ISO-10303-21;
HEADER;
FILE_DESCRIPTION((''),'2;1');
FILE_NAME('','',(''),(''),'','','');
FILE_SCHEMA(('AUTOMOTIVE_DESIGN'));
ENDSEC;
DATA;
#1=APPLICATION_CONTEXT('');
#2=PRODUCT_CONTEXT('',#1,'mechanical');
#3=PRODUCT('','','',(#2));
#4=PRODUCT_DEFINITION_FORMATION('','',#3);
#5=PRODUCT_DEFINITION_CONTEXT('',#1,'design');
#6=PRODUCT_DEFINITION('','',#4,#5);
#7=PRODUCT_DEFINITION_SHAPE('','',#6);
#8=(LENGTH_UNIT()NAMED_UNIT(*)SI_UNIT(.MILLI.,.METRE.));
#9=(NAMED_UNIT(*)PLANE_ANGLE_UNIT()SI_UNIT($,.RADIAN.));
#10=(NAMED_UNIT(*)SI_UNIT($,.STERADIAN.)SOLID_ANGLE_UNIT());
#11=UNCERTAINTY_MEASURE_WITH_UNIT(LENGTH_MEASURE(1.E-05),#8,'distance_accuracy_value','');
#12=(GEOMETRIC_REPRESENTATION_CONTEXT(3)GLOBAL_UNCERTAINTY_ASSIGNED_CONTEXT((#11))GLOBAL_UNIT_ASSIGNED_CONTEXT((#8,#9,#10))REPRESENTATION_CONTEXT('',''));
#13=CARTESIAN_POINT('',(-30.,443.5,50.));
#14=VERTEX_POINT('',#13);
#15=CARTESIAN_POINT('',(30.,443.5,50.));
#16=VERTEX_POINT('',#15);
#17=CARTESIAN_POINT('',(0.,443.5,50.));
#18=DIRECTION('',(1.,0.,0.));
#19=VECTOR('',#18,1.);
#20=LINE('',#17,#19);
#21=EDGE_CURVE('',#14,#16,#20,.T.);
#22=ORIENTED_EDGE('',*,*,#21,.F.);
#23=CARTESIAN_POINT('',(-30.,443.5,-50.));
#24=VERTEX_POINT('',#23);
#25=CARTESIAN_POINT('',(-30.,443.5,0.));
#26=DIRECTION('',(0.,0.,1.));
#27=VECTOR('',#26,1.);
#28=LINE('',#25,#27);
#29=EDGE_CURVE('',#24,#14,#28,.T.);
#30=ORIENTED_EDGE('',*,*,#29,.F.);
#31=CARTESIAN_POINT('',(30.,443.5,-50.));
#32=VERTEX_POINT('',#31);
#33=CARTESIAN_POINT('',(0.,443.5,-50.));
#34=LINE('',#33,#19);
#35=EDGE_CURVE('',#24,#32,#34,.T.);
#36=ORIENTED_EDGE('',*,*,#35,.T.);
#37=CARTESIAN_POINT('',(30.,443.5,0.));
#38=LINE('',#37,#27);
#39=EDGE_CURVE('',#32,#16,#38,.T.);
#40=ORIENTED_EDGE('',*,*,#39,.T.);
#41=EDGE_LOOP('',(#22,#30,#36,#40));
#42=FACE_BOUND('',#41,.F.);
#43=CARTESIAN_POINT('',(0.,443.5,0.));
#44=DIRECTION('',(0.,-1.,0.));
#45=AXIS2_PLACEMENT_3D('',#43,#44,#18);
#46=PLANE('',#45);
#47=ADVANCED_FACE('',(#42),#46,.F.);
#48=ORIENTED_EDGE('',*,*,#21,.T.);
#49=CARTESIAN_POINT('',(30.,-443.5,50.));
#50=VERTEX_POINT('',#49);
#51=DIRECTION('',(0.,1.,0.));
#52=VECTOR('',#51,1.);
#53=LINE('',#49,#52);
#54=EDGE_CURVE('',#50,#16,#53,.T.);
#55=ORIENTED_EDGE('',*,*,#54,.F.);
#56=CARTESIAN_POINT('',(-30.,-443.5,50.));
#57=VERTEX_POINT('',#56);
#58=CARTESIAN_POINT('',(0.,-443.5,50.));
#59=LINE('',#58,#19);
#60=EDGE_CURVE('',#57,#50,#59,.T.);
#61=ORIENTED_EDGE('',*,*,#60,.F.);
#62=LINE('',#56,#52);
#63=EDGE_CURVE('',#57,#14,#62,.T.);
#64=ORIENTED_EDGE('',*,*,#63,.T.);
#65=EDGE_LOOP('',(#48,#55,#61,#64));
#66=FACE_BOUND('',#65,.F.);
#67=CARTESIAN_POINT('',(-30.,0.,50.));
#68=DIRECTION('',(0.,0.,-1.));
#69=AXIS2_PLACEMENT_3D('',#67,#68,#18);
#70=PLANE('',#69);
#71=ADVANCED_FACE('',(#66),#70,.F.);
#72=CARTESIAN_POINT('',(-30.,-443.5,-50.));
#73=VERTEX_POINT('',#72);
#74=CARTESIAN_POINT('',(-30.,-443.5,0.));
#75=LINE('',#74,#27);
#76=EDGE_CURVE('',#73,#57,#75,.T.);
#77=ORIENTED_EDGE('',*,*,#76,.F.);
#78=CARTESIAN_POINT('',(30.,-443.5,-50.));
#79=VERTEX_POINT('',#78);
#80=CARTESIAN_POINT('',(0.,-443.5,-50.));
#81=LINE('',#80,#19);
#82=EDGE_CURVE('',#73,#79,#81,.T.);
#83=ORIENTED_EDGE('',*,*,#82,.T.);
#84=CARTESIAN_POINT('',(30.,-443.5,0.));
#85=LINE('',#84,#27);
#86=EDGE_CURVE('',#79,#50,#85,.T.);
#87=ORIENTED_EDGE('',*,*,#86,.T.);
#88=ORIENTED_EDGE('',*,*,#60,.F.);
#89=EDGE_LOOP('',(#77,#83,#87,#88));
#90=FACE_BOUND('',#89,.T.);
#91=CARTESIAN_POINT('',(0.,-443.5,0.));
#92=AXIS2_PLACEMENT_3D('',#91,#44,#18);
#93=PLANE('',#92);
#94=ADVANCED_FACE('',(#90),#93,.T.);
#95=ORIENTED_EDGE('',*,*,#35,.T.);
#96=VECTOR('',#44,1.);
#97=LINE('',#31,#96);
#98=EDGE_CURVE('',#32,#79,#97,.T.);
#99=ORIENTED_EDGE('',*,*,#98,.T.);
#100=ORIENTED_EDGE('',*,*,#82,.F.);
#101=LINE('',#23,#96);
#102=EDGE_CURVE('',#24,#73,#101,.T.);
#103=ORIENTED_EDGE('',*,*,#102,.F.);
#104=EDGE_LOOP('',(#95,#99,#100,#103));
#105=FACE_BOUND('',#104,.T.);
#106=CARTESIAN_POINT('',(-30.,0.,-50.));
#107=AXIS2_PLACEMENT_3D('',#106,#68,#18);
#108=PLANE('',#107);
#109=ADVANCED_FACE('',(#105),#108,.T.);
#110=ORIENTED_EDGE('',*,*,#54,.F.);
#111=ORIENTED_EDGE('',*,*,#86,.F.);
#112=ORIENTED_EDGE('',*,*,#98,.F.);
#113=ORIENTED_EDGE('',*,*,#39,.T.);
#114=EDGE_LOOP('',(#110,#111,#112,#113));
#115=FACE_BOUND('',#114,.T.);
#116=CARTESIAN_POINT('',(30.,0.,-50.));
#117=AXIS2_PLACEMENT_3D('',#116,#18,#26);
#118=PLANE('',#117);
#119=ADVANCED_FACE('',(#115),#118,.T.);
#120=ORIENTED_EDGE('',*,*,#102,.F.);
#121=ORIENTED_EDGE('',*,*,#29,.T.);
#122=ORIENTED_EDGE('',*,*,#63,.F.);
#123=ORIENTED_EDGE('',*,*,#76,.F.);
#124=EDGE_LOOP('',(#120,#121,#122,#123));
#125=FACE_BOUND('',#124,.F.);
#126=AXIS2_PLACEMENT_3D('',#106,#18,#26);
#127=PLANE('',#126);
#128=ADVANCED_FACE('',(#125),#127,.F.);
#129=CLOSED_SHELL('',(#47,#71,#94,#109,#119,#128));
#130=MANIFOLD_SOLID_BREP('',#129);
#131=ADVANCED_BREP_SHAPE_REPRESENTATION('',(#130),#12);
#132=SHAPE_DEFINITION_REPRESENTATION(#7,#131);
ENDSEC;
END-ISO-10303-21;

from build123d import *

# Parameters (mm, degrees)
SKETCH_W  = 60
SKETCH_H  = 100
PAD_DEPTH = 443.5


with BuildPart() as part:
    # Sketch → Pad (new body, symmetric)
    with BuildSketch(Plane.XZ):
        Rectangle(SKETCH_W, SKETCH_H)
    extrude(amount=PAD_DEPTH, both=True)


solid = part.part
